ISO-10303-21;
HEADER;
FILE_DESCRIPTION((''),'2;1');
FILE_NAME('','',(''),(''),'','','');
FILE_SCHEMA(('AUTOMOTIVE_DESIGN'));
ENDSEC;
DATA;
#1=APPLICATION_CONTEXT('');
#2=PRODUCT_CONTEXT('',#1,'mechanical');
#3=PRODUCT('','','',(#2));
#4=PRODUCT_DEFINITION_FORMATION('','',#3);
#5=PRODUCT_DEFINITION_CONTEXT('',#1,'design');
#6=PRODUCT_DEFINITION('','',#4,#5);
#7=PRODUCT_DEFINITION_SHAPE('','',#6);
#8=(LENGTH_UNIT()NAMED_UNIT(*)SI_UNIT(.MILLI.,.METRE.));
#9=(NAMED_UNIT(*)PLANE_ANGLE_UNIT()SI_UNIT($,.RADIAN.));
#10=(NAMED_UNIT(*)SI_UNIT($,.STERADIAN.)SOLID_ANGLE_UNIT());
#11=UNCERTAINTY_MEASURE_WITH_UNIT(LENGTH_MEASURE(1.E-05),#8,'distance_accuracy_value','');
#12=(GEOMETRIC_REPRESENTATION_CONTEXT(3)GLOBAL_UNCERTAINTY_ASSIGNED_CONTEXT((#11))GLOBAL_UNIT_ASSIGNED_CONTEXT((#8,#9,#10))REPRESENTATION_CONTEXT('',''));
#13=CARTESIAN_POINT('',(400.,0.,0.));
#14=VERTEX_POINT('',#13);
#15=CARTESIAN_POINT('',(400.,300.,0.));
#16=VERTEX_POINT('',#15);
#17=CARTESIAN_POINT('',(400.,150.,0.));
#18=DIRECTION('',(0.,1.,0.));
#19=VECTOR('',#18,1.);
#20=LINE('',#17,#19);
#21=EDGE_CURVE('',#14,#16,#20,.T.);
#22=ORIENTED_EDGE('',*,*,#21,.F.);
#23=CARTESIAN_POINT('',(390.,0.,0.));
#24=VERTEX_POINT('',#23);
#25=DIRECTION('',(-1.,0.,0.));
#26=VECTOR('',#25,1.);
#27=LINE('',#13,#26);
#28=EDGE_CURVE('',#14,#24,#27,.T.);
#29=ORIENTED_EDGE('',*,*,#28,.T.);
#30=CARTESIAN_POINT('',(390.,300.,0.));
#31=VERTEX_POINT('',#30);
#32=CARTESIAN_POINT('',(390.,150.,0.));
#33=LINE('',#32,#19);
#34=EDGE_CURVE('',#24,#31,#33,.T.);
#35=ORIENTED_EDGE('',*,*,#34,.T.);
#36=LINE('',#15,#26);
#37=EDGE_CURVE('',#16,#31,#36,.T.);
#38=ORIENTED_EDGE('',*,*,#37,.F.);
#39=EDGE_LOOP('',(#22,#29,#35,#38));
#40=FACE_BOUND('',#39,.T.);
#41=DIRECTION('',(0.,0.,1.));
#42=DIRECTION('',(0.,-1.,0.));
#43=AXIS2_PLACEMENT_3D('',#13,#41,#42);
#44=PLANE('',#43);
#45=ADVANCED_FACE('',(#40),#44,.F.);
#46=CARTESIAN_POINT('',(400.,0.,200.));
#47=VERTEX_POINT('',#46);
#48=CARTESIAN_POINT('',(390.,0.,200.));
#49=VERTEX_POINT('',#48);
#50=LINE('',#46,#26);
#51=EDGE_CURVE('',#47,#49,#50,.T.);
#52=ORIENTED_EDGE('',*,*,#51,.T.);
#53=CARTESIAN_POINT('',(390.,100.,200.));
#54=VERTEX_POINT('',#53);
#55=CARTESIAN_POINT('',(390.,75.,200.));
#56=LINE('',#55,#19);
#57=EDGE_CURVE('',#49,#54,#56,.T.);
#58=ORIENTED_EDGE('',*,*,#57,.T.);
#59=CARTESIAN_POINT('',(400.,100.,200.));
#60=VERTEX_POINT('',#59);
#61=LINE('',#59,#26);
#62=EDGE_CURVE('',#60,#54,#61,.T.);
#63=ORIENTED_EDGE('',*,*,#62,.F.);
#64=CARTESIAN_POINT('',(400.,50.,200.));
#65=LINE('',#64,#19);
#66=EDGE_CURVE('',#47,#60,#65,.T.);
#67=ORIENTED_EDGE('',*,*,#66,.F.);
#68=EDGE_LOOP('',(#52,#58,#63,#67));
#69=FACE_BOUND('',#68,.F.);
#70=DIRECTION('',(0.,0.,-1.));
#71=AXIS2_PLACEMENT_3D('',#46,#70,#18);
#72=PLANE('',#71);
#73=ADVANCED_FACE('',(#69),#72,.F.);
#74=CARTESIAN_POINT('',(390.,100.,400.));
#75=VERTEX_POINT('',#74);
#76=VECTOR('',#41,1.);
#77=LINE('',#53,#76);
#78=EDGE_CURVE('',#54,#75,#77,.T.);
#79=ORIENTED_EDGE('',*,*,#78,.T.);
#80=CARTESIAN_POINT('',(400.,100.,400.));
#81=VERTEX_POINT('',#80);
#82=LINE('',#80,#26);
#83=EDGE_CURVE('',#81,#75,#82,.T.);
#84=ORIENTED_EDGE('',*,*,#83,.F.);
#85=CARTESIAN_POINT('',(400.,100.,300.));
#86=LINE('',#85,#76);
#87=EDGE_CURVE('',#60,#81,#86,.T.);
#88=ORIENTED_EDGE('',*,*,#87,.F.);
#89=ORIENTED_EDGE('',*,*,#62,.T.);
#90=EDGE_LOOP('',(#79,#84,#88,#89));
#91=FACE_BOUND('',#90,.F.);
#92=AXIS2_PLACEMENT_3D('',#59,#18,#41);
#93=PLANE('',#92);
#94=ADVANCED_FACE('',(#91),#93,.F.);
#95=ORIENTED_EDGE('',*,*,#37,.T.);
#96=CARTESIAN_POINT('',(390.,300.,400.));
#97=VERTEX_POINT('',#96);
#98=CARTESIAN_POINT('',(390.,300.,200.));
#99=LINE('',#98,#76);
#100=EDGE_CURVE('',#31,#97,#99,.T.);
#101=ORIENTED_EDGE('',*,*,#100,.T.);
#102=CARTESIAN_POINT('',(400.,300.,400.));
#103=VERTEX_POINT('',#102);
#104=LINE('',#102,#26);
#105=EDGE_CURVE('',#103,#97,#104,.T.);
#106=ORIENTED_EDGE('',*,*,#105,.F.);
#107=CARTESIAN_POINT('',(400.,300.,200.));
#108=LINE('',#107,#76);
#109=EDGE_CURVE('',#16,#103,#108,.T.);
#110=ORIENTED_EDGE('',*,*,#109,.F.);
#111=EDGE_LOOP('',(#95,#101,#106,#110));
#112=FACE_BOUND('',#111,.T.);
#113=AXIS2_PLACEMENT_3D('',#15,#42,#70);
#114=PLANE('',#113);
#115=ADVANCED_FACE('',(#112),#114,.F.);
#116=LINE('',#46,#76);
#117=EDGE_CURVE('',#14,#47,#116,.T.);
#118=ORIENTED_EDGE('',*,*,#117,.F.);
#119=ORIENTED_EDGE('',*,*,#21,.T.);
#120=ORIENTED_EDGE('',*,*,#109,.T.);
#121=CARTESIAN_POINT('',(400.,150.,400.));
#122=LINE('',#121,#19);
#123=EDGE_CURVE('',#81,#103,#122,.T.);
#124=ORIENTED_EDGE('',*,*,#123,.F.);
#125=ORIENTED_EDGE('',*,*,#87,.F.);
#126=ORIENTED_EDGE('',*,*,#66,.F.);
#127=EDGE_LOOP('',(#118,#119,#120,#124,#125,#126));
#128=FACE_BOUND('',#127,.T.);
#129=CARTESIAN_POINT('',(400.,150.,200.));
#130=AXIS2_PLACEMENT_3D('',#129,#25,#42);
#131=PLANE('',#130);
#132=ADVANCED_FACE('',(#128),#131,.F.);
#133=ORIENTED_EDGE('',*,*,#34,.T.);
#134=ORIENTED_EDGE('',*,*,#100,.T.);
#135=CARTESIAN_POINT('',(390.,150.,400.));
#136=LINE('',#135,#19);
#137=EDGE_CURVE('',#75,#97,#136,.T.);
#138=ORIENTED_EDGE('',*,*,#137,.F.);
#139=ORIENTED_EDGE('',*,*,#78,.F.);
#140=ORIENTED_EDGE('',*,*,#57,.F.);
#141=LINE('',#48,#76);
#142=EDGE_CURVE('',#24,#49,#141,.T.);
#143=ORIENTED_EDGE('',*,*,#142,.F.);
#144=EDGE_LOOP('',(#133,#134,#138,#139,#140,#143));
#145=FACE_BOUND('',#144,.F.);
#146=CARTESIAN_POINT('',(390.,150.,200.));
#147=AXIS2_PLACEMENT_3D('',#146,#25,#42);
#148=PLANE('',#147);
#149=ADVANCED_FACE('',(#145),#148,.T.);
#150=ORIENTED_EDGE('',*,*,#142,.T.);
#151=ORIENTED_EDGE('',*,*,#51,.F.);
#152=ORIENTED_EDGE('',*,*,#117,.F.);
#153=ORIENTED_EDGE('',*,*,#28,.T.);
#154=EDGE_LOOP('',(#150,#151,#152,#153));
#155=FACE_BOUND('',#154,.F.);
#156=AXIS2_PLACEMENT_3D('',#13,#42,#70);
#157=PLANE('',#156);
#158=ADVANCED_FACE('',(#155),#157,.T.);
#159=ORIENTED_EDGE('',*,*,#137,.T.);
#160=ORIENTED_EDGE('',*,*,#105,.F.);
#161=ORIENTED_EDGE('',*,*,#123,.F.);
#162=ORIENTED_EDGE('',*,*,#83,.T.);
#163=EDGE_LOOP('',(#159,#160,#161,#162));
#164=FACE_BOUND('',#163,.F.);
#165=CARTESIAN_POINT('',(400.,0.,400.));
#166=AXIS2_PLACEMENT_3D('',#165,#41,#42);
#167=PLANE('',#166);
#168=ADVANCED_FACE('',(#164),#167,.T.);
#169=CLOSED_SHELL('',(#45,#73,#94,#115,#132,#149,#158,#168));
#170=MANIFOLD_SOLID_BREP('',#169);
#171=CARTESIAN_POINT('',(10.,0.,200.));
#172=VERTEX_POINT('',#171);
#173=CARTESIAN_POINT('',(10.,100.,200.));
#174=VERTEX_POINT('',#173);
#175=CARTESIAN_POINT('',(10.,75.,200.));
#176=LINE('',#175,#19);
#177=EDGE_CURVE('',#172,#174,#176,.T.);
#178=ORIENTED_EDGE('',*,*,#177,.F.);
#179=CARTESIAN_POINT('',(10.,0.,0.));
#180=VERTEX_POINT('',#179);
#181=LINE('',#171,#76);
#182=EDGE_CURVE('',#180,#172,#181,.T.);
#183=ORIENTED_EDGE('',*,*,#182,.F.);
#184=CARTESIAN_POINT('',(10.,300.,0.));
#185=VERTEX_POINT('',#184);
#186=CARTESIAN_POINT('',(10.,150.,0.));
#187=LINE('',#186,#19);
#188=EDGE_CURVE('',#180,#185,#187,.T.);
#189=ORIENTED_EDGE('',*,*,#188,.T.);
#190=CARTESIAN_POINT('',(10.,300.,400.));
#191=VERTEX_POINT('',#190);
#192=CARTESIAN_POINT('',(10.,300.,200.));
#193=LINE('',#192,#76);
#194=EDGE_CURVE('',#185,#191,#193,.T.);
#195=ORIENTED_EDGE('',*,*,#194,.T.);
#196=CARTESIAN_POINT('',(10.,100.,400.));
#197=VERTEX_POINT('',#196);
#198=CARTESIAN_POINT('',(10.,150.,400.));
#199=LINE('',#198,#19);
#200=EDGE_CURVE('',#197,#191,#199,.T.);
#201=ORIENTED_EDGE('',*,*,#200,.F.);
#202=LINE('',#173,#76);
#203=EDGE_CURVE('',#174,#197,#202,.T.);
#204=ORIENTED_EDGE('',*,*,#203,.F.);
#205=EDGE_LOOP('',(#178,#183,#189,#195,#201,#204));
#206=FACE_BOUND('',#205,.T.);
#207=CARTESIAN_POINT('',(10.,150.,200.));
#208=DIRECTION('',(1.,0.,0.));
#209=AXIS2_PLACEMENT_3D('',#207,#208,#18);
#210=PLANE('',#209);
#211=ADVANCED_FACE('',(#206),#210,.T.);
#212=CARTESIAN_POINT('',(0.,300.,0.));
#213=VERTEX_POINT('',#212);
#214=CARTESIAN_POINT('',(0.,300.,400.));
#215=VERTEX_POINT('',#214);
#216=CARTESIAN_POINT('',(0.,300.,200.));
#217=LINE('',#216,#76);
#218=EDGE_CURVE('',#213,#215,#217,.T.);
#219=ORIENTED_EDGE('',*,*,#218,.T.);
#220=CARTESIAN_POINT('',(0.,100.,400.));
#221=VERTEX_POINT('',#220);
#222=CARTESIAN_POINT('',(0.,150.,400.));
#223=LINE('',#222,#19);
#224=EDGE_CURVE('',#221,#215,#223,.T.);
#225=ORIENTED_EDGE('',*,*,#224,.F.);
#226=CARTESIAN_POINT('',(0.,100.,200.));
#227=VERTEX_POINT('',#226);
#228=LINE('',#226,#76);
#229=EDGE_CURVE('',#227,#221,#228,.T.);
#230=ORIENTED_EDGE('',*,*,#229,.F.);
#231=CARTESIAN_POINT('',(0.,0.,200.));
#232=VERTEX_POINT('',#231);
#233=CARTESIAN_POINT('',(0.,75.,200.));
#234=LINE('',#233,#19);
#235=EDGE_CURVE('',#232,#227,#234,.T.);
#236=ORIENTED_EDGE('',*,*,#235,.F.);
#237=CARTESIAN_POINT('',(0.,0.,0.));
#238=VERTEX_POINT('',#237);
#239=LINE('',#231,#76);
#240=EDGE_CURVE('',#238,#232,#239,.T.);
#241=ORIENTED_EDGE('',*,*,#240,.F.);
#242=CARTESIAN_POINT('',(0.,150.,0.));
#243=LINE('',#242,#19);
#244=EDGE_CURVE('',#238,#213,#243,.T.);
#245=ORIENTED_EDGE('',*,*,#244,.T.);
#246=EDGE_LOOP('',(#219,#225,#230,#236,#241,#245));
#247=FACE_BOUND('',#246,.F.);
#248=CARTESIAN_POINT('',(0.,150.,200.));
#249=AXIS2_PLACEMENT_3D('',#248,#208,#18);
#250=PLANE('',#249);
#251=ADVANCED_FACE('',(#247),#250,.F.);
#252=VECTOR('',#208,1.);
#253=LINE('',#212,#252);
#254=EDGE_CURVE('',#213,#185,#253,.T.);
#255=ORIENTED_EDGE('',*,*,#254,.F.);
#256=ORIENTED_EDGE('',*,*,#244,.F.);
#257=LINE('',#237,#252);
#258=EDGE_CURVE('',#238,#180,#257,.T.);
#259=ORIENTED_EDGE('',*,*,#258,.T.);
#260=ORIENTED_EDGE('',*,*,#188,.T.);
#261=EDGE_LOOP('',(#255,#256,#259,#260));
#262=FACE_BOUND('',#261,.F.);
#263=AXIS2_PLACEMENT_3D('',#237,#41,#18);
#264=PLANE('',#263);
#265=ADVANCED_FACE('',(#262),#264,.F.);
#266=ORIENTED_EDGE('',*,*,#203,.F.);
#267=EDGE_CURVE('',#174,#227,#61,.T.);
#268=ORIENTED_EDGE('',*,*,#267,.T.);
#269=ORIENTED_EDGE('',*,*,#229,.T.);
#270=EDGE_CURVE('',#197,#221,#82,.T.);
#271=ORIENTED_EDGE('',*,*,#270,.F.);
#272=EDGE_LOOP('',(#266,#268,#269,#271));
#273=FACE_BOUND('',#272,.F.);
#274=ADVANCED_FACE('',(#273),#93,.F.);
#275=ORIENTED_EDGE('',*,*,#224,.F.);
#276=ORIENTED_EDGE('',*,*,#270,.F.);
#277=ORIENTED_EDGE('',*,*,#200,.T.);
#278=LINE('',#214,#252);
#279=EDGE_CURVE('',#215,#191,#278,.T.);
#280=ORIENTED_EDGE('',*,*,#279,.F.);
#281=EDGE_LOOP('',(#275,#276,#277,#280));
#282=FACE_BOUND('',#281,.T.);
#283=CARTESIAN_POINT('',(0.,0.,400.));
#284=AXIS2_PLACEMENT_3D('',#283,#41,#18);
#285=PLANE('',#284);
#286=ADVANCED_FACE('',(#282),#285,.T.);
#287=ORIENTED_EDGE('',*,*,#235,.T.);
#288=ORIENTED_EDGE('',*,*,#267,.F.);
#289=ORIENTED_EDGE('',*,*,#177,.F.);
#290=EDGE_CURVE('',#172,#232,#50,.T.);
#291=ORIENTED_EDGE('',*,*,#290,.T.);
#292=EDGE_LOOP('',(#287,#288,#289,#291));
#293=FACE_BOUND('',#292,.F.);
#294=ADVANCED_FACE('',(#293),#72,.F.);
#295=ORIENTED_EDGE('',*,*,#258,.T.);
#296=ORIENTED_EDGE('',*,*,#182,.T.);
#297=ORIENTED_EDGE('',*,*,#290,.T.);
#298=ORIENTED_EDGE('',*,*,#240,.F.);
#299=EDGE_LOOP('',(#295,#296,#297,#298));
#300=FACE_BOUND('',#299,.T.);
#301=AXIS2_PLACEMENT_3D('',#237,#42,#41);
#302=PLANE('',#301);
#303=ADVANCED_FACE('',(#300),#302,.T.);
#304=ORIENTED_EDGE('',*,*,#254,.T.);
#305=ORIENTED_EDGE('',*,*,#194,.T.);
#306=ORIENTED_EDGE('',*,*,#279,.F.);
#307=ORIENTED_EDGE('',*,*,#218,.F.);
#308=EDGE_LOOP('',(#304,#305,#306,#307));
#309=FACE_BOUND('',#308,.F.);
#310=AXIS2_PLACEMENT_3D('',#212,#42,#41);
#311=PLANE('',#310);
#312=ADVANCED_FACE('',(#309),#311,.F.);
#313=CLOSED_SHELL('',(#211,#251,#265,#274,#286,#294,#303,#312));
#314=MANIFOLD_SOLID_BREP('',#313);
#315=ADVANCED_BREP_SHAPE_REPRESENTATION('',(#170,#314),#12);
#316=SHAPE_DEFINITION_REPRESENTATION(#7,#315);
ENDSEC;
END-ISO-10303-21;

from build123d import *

# Parameters (mm, degrees)
F0_W     = 300
F0_H     = 400
F2_DEPTH = 10
F5_W     = 100
F5_H     = 200
F6_DEPTH = 400.001


with BuildPart() as f2:
    # F0 (on Right) → F2 (new body)
    with BuildSketch(Plane.YZ):
        with Locations((150, 200)):
            Rectangle(F0_W, F0_H)
    extrude(amount=F2_DEPTH)


with BuildPart() as f4_1:
    # F4: instance of F2
    add(f2.part.mirror(Plane.YZ.offset(200)))


with BuildPart() as f6_tool:
    # F5 (on face) → F6 (new body, through all)
    with BuildSketch(Plane.YZ.offset(400)):
        with Locations((50, 300)):
            Rectangle(F5_W, F5_H)
    extrude(amount=-F6_DEPTH)


with BuildPart() as f2_1:
    add(f2.part)

    # F6: cut by f6_tool
    add(f6_tool.part, mode=Mode.SUBTRACT)


with BuildPart() as f4_1_1:
    add(f4_1.part)

    # F6: cut by f6_tool
    add(f6_tool.part, mode=Mode.SUBTRACT)


solid = Compound([f2_1.part, f4_1_1.part])
